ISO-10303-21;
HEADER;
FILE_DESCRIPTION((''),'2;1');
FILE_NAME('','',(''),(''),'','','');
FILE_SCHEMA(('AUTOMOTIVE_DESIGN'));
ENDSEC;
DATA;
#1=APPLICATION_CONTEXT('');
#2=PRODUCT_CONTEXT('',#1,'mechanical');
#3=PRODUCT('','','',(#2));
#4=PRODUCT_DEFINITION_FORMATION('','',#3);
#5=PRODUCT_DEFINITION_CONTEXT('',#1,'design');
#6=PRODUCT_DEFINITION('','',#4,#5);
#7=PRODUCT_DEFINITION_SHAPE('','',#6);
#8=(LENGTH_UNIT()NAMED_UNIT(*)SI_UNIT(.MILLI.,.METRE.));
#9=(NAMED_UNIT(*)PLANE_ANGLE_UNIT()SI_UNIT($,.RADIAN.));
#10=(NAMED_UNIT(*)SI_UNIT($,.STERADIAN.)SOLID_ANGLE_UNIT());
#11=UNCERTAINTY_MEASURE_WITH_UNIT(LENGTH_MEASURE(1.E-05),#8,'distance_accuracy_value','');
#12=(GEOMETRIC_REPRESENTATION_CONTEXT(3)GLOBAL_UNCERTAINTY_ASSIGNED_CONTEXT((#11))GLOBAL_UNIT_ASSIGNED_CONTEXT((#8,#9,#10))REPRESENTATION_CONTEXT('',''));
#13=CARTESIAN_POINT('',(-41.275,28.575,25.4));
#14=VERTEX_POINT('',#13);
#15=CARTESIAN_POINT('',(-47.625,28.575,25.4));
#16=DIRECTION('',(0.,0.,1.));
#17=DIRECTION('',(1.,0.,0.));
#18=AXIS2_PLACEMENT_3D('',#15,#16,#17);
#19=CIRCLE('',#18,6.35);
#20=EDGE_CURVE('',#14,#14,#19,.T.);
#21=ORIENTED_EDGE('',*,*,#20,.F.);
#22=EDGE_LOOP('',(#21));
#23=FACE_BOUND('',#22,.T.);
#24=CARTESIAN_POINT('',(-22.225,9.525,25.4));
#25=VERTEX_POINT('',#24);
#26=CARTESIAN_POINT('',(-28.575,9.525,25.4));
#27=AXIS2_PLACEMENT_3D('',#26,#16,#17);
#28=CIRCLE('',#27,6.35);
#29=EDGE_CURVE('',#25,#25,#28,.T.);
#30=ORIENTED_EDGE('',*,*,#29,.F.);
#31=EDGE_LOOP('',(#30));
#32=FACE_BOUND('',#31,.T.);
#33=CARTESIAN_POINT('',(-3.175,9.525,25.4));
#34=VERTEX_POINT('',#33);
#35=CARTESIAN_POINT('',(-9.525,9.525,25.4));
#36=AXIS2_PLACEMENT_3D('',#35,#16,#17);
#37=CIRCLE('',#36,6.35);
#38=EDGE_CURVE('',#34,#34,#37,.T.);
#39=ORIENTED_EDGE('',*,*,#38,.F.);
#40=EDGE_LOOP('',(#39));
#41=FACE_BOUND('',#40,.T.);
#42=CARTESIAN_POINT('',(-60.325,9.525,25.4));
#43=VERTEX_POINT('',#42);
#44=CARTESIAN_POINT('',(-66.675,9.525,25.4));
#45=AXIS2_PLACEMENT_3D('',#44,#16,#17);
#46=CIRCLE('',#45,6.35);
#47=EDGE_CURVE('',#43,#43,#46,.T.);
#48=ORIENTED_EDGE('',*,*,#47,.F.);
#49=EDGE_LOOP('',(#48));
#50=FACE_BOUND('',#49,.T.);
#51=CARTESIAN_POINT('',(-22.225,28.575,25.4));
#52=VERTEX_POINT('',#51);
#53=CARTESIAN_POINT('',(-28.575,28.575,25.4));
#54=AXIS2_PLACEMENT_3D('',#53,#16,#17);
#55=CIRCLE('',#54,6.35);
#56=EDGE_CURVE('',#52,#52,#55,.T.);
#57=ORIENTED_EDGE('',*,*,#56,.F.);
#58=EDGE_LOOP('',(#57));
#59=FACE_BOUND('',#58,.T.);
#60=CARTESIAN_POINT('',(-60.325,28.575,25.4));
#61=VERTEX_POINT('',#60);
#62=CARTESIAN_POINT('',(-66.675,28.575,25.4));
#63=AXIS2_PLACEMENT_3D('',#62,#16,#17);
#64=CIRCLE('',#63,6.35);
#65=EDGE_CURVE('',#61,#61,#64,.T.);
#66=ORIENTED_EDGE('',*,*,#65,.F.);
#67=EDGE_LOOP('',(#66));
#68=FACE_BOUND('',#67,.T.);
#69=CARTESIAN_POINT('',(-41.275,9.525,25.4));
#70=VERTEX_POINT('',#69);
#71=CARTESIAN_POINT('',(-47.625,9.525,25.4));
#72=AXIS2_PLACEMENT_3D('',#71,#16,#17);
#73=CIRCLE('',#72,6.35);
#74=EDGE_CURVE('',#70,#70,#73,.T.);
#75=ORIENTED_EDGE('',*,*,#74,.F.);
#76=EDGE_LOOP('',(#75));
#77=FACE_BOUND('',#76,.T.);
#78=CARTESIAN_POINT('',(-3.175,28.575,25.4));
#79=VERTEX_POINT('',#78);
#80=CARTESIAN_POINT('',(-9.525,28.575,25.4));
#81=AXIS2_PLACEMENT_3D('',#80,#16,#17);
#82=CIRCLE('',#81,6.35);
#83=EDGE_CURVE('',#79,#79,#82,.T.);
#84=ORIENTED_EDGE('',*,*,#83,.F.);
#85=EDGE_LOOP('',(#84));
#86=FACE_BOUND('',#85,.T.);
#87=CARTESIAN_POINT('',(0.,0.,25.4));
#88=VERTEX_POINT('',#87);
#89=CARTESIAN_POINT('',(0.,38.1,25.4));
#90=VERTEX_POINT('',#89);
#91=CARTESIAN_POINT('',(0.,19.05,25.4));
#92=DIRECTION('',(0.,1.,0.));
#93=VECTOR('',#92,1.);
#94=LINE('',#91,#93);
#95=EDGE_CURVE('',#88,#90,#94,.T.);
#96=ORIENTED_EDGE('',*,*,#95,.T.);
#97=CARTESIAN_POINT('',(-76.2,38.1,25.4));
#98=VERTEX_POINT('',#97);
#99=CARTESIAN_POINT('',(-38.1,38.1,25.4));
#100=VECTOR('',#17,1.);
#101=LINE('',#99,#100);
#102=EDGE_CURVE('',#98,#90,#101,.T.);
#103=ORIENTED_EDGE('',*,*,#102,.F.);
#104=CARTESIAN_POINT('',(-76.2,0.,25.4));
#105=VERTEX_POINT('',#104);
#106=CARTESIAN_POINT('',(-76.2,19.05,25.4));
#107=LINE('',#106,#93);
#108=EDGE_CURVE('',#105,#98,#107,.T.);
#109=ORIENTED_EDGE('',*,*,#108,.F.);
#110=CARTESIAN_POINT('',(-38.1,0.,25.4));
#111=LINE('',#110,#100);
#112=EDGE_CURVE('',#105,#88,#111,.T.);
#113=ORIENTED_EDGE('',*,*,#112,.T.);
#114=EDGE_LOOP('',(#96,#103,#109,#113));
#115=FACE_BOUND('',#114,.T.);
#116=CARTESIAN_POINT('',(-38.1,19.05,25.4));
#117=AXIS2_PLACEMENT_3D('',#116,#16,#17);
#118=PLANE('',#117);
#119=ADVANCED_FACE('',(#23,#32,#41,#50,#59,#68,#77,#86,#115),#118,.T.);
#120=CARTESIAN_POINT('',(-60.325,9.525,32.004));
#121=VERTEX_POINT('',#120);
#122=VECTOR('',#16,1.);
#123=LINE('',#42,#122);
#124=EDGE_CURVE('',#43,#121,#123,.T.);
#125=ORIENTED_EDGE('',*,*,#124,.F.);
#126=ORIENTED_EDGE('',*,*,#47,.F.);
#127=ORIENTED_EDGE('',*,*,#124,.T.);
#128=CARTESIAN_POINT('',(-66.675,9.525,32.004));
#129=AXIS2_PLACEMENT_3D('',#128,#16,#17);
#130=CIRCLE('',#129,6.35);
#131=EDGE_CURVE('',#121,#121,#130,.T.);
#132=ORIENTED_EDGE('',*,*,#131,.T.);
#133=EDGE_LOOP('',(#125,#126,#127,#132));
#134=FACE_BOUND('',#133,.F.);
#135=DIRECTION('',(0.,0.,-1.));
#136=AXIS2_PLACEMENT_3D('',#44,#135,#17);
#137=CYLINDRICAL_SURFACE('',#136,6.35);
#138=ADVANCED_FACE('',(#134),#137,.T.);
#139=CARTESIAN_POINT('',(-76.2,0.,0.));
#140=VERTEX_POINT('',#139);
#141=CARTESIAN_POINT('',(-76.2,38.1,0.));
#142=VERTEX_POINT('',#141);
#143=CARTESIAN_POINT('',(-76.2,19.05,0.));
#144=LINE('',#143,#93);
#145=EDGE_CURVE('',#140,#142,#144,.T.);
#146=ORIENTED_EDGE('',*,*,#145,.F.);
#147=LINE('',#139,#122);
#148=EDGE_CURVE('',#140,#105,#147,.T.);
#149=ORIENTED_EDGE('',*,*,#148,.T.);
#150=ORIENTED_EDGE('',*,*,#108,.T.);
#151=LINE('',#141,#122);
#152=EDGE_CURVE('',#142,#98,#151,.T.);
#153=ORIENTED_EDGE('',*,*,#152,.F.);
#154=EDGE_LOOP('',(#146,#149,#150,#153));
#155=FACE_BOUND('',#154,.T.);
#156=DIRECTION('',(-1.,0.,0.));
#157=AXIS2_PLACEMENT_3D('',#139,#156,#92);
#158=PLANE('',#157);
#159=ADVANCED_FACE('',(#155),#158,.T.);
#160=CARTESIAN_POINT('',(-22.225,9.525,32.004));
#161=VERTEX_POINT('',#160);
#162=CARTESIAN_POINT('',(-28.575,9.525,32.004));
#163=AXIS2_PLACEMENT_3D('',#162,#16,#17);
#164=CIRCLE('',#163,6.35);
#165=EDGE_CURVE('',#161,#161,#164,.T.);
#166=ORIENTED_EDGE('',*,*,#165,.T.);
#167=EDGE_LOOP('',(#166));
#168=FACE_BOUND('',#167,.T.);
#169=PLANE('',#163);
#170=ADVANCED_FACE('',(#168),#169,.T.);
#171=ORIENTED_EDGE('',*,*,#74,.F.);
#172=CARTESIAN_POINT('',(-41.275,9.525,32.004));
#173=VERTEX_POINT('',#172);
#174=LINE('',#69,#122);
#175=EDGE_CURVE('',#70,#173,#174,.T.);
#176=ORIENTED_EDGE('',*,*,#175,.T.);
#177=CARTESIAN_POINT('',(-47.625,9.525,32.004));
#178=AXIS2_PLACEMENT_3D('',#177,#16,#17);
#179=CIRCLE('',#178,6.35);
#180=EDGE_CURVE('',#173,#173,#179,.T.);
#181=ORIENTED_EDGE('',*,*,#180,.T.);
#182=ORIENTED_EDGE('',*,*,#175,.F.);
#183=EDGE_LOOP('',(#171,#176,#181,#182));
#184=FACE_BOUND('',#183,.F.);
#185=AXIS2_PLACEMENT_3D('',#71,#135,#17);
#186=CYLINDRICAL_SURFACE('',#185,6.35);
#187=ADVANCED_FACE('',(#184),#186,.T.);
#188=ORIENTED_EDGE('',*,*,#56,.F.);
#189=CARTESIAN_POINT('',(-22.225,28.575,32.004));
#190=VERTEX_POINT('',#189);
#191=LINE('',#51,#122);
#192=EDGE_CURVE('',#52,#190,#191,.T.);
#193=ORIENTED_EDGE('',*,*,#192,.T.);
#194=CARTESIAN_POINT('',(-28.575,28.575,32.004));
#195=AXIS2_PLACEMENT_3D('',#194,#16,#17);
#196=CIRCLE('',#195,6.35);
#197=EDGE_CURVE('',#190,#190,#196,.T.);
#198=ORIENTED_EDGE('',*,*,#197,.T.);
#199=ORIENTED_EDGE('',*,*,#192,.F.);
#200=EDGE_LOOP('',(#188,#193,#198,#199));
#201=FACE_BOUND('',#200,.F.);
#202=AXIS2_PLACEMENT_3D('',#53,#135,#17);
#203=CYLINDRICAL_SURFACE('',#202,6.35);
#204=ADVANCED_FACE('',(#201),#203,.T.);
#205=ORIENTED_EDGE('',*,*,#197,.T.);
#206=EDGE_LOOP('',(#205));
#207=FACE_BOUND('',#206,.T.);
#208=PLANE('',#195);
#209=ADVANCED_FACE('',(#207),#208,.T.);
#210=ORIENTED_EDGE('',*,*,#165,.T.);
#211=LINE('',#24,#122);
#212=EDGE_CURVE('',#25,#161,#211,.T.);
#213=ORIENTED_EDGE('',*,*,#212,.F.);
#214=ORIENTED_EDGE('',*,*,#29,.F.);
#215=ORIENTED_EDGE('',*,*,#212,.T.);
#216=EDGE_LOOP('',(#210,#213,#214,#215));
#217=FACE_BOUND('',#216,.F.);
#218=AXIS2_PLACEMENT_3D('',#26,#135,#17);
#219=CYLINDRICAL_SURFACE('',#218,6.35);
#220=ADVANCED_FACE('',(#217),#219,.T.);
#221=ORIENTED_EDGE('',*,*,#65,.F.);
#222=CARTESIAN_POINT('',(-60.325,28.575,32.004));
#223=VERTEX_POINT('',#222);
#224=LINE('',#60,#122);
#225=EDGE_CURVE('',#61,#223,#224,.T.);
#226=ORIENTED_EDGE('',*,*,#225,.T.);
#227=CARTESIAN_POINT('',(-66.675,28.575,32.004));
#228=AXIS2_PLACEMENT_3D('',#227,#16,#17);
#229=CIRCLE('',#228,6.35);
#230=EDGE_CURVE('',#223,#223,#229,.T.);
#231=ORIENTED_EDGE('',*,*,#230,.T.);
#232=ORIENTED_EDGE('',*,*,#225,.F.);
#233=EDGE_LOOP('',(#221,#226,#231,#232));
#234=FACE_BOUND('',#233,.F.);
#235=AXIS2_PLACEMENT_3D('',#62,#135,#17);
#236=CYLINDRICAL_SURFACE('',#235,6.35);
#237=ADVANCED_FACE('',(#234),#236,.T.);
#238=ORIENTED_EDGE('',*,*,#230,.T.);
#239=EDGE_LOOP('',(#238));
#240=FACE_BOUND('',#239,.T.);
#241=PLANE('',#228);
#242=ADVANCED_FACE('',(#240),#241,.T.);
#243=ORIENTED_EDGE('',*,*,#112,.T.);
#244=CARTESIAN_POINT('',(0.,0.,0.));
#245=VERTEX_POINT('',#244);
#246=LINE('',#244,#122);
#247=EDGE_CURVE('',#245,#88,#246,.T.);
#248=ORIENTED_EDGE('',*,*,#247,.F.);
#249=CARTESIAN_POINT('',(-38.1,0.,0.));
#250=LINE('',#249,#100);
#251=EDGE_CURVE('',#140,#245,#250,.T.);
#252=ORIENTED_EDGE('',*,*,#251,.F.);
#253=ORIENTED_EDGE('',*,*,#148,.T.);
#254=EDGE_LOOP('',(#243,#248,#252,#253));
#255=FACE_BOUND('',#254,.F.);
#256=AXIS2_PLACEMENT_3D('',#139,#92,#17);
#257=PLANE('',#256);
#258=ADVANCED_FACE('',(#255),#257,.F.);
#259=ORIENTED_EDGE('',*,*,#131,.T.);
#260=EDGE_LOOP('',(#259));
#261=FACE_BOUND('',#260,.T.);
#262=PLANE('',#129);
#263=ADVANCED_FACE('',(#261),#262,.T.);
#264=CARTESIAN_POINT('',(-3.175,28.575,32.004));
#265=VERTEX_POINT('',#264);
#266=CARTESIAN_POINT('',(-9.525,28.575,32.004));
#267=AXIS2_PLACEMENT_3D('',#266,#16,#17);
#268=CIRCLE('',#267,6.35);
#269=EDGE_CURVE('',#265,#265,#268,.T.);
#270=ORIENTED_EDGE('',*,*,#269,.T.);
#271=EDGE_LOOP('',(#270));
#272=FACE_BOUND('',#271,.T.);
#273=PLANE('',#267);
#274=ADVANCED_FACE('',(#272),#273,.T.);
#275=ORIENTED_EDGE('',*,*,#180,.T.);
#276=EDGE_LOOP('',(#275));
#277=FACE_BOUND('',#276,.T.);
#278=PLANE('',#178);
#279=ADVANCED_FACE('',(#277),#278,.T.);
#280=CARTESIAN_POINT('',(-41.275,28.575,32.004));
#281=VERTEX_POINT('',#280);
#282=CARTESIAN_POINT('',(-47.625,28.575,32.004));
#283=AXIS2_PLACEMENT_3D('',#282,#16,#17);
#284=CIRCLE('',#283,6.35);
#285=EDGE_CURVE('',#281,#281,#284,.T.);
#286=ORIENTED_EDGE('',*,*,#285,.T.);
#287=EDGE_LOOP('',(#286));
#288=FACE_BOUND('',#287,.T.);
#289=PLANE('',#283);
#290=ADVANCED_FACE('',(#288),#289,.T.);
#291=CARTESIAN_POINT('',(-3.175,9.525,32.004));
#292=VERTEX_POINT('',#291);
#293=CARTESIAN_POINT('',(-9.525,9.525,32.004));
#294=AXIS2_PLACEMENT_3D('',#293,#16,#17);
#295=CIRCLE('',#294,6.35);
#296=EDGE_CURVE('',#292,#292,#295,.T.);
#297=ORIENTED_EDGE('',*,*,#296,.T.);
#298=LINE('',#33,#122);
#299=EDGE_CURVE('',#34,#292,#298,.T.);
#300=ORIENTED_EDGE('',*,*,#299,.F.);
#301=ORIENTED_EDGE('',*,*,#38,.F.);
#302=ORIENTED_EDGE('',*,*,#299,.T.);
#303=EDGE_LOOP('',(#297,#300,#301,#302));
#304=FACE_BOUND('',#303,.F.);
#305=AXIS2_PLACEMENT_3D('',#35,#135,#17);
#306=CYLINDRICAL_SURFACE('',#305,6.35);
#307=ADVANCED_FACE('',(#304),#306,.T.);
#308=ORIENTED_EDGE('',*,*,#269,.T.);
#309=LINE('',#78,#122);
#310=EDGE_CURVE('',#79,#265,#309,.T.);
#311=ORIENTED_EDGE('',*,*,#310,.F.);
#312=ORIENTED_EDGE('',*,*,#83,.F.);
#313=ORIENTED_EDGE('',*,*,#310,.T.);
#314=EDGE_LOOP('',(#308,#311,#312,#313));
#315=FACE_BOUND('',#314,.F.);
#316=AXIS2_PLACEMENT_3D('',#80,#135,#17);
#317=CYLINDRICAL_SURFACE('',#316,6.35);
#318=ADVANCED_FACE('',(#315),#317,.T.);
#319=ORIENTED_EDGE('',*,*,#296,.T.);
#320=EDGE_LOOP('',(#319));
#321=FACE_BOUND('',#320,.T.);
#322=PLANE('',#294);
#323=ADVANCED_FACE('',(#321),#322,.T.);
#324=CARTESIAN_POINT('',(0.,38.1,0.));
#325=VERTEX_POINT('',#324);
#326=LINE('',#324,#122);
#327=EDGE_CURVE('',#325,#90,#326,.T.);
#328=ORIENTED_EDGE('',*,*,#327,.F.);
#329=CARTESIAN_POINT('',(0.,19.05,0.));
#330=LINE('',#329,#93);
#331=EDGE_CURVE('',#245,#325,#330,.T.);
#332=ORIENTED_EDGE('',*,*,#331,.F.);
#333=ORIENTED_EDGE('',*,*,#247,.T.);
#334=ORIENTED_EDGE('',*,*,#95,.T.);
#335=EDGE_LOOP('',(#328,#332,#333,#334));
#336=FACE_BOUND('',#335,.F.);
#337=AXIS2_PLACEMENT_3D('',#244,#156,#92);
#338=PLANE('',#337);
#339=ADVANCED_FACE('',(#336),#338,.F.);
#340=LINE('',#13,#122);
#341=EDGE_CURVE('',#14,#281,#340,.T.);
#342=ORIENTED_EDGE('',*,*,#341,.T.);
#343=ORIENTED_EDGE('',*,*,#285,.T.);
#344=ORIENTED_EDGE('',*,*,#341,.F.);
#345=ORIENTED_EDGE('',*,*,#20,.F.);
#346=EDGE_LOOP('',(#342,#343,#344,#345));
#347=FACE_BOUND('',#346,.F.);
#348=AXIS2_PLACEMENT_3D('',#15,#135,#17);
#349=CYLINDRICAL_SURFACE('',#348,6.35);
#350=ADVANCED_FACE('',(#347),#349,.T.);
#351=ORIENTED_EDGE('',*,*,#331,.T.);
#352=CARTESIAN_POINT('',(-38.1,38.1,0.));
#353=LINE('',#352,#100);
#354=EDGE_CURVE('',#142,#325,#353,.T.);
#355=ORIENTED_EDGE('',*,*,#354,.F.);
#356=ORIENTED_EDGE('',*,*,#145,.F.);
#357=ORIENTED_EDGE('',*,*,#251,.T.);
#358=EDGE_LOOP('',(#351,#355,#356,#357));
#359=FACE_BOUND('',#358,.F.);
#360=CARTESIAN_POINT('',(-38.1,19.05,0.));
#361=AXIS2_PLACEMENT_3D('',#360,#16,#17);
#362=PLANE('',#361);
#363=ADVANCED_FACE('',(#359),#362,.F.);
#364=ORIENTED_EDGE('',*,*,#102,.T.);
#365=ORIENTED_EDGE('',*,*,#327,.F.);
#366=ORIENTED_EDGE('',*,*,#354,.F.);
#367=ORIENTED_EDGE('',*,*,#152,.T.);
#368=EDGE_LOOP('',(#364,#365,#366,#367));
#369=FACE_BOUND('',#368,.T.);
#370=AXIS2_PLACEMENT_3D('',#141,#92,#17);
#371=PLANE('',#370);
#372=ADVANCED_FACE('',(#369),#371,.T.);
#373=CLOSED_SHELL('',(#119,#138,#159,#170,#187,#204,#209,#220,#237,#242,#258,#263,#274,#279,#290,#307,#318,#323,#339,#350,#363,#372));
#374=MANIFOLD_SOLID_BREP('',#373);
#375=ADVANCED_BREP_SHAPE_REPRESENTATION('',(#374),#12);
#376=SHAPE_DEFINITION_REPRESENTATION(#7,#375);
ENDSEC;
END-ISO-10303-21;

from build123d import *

# Parameters (mm, degrees)
F0_W     = 76.2
F0_H     = 38.1
F1_DEPTH = 25.4
F2_R     = 6.35
F3_DEPTH = 6.604


with BuildPart() as f1:
    # F0 (on Top) → F1 (new body)
    with BuildSketch(Plane.XY):
        with Locations((-38.1, 19.05)):
            Rectangle(F0_W, F0_H)
    extrude(amount=F1_DEPTH)

    # F2 (on face) → F3 (join)
    with BuildSketch(Plane.XY.offset(25.4)):
        with Locations((-66.675, 28.575)):
            Circle(F2_R)
        with Locations((-47.625, 28.575)):
            Circle(F2_R)
        with Locations((-28.575, 28.575)):
            Circle(F2_R)
        with Locations((-9.525, 28.575)):
            Circle(F2_R)
        with Locations((-9.525, 9.525)):
            Circle(F2_R)
        with Locations((-28.575, 9.525)):
            Circle(F2_R)
        with Locations((-47.625, 9.525)):
            Circle(F2_R)
        with Locations((-66.675, 9.525)):
            Circle(F2_R)
    extrude(amount=F3_DEPTH)


solid = f1.part
